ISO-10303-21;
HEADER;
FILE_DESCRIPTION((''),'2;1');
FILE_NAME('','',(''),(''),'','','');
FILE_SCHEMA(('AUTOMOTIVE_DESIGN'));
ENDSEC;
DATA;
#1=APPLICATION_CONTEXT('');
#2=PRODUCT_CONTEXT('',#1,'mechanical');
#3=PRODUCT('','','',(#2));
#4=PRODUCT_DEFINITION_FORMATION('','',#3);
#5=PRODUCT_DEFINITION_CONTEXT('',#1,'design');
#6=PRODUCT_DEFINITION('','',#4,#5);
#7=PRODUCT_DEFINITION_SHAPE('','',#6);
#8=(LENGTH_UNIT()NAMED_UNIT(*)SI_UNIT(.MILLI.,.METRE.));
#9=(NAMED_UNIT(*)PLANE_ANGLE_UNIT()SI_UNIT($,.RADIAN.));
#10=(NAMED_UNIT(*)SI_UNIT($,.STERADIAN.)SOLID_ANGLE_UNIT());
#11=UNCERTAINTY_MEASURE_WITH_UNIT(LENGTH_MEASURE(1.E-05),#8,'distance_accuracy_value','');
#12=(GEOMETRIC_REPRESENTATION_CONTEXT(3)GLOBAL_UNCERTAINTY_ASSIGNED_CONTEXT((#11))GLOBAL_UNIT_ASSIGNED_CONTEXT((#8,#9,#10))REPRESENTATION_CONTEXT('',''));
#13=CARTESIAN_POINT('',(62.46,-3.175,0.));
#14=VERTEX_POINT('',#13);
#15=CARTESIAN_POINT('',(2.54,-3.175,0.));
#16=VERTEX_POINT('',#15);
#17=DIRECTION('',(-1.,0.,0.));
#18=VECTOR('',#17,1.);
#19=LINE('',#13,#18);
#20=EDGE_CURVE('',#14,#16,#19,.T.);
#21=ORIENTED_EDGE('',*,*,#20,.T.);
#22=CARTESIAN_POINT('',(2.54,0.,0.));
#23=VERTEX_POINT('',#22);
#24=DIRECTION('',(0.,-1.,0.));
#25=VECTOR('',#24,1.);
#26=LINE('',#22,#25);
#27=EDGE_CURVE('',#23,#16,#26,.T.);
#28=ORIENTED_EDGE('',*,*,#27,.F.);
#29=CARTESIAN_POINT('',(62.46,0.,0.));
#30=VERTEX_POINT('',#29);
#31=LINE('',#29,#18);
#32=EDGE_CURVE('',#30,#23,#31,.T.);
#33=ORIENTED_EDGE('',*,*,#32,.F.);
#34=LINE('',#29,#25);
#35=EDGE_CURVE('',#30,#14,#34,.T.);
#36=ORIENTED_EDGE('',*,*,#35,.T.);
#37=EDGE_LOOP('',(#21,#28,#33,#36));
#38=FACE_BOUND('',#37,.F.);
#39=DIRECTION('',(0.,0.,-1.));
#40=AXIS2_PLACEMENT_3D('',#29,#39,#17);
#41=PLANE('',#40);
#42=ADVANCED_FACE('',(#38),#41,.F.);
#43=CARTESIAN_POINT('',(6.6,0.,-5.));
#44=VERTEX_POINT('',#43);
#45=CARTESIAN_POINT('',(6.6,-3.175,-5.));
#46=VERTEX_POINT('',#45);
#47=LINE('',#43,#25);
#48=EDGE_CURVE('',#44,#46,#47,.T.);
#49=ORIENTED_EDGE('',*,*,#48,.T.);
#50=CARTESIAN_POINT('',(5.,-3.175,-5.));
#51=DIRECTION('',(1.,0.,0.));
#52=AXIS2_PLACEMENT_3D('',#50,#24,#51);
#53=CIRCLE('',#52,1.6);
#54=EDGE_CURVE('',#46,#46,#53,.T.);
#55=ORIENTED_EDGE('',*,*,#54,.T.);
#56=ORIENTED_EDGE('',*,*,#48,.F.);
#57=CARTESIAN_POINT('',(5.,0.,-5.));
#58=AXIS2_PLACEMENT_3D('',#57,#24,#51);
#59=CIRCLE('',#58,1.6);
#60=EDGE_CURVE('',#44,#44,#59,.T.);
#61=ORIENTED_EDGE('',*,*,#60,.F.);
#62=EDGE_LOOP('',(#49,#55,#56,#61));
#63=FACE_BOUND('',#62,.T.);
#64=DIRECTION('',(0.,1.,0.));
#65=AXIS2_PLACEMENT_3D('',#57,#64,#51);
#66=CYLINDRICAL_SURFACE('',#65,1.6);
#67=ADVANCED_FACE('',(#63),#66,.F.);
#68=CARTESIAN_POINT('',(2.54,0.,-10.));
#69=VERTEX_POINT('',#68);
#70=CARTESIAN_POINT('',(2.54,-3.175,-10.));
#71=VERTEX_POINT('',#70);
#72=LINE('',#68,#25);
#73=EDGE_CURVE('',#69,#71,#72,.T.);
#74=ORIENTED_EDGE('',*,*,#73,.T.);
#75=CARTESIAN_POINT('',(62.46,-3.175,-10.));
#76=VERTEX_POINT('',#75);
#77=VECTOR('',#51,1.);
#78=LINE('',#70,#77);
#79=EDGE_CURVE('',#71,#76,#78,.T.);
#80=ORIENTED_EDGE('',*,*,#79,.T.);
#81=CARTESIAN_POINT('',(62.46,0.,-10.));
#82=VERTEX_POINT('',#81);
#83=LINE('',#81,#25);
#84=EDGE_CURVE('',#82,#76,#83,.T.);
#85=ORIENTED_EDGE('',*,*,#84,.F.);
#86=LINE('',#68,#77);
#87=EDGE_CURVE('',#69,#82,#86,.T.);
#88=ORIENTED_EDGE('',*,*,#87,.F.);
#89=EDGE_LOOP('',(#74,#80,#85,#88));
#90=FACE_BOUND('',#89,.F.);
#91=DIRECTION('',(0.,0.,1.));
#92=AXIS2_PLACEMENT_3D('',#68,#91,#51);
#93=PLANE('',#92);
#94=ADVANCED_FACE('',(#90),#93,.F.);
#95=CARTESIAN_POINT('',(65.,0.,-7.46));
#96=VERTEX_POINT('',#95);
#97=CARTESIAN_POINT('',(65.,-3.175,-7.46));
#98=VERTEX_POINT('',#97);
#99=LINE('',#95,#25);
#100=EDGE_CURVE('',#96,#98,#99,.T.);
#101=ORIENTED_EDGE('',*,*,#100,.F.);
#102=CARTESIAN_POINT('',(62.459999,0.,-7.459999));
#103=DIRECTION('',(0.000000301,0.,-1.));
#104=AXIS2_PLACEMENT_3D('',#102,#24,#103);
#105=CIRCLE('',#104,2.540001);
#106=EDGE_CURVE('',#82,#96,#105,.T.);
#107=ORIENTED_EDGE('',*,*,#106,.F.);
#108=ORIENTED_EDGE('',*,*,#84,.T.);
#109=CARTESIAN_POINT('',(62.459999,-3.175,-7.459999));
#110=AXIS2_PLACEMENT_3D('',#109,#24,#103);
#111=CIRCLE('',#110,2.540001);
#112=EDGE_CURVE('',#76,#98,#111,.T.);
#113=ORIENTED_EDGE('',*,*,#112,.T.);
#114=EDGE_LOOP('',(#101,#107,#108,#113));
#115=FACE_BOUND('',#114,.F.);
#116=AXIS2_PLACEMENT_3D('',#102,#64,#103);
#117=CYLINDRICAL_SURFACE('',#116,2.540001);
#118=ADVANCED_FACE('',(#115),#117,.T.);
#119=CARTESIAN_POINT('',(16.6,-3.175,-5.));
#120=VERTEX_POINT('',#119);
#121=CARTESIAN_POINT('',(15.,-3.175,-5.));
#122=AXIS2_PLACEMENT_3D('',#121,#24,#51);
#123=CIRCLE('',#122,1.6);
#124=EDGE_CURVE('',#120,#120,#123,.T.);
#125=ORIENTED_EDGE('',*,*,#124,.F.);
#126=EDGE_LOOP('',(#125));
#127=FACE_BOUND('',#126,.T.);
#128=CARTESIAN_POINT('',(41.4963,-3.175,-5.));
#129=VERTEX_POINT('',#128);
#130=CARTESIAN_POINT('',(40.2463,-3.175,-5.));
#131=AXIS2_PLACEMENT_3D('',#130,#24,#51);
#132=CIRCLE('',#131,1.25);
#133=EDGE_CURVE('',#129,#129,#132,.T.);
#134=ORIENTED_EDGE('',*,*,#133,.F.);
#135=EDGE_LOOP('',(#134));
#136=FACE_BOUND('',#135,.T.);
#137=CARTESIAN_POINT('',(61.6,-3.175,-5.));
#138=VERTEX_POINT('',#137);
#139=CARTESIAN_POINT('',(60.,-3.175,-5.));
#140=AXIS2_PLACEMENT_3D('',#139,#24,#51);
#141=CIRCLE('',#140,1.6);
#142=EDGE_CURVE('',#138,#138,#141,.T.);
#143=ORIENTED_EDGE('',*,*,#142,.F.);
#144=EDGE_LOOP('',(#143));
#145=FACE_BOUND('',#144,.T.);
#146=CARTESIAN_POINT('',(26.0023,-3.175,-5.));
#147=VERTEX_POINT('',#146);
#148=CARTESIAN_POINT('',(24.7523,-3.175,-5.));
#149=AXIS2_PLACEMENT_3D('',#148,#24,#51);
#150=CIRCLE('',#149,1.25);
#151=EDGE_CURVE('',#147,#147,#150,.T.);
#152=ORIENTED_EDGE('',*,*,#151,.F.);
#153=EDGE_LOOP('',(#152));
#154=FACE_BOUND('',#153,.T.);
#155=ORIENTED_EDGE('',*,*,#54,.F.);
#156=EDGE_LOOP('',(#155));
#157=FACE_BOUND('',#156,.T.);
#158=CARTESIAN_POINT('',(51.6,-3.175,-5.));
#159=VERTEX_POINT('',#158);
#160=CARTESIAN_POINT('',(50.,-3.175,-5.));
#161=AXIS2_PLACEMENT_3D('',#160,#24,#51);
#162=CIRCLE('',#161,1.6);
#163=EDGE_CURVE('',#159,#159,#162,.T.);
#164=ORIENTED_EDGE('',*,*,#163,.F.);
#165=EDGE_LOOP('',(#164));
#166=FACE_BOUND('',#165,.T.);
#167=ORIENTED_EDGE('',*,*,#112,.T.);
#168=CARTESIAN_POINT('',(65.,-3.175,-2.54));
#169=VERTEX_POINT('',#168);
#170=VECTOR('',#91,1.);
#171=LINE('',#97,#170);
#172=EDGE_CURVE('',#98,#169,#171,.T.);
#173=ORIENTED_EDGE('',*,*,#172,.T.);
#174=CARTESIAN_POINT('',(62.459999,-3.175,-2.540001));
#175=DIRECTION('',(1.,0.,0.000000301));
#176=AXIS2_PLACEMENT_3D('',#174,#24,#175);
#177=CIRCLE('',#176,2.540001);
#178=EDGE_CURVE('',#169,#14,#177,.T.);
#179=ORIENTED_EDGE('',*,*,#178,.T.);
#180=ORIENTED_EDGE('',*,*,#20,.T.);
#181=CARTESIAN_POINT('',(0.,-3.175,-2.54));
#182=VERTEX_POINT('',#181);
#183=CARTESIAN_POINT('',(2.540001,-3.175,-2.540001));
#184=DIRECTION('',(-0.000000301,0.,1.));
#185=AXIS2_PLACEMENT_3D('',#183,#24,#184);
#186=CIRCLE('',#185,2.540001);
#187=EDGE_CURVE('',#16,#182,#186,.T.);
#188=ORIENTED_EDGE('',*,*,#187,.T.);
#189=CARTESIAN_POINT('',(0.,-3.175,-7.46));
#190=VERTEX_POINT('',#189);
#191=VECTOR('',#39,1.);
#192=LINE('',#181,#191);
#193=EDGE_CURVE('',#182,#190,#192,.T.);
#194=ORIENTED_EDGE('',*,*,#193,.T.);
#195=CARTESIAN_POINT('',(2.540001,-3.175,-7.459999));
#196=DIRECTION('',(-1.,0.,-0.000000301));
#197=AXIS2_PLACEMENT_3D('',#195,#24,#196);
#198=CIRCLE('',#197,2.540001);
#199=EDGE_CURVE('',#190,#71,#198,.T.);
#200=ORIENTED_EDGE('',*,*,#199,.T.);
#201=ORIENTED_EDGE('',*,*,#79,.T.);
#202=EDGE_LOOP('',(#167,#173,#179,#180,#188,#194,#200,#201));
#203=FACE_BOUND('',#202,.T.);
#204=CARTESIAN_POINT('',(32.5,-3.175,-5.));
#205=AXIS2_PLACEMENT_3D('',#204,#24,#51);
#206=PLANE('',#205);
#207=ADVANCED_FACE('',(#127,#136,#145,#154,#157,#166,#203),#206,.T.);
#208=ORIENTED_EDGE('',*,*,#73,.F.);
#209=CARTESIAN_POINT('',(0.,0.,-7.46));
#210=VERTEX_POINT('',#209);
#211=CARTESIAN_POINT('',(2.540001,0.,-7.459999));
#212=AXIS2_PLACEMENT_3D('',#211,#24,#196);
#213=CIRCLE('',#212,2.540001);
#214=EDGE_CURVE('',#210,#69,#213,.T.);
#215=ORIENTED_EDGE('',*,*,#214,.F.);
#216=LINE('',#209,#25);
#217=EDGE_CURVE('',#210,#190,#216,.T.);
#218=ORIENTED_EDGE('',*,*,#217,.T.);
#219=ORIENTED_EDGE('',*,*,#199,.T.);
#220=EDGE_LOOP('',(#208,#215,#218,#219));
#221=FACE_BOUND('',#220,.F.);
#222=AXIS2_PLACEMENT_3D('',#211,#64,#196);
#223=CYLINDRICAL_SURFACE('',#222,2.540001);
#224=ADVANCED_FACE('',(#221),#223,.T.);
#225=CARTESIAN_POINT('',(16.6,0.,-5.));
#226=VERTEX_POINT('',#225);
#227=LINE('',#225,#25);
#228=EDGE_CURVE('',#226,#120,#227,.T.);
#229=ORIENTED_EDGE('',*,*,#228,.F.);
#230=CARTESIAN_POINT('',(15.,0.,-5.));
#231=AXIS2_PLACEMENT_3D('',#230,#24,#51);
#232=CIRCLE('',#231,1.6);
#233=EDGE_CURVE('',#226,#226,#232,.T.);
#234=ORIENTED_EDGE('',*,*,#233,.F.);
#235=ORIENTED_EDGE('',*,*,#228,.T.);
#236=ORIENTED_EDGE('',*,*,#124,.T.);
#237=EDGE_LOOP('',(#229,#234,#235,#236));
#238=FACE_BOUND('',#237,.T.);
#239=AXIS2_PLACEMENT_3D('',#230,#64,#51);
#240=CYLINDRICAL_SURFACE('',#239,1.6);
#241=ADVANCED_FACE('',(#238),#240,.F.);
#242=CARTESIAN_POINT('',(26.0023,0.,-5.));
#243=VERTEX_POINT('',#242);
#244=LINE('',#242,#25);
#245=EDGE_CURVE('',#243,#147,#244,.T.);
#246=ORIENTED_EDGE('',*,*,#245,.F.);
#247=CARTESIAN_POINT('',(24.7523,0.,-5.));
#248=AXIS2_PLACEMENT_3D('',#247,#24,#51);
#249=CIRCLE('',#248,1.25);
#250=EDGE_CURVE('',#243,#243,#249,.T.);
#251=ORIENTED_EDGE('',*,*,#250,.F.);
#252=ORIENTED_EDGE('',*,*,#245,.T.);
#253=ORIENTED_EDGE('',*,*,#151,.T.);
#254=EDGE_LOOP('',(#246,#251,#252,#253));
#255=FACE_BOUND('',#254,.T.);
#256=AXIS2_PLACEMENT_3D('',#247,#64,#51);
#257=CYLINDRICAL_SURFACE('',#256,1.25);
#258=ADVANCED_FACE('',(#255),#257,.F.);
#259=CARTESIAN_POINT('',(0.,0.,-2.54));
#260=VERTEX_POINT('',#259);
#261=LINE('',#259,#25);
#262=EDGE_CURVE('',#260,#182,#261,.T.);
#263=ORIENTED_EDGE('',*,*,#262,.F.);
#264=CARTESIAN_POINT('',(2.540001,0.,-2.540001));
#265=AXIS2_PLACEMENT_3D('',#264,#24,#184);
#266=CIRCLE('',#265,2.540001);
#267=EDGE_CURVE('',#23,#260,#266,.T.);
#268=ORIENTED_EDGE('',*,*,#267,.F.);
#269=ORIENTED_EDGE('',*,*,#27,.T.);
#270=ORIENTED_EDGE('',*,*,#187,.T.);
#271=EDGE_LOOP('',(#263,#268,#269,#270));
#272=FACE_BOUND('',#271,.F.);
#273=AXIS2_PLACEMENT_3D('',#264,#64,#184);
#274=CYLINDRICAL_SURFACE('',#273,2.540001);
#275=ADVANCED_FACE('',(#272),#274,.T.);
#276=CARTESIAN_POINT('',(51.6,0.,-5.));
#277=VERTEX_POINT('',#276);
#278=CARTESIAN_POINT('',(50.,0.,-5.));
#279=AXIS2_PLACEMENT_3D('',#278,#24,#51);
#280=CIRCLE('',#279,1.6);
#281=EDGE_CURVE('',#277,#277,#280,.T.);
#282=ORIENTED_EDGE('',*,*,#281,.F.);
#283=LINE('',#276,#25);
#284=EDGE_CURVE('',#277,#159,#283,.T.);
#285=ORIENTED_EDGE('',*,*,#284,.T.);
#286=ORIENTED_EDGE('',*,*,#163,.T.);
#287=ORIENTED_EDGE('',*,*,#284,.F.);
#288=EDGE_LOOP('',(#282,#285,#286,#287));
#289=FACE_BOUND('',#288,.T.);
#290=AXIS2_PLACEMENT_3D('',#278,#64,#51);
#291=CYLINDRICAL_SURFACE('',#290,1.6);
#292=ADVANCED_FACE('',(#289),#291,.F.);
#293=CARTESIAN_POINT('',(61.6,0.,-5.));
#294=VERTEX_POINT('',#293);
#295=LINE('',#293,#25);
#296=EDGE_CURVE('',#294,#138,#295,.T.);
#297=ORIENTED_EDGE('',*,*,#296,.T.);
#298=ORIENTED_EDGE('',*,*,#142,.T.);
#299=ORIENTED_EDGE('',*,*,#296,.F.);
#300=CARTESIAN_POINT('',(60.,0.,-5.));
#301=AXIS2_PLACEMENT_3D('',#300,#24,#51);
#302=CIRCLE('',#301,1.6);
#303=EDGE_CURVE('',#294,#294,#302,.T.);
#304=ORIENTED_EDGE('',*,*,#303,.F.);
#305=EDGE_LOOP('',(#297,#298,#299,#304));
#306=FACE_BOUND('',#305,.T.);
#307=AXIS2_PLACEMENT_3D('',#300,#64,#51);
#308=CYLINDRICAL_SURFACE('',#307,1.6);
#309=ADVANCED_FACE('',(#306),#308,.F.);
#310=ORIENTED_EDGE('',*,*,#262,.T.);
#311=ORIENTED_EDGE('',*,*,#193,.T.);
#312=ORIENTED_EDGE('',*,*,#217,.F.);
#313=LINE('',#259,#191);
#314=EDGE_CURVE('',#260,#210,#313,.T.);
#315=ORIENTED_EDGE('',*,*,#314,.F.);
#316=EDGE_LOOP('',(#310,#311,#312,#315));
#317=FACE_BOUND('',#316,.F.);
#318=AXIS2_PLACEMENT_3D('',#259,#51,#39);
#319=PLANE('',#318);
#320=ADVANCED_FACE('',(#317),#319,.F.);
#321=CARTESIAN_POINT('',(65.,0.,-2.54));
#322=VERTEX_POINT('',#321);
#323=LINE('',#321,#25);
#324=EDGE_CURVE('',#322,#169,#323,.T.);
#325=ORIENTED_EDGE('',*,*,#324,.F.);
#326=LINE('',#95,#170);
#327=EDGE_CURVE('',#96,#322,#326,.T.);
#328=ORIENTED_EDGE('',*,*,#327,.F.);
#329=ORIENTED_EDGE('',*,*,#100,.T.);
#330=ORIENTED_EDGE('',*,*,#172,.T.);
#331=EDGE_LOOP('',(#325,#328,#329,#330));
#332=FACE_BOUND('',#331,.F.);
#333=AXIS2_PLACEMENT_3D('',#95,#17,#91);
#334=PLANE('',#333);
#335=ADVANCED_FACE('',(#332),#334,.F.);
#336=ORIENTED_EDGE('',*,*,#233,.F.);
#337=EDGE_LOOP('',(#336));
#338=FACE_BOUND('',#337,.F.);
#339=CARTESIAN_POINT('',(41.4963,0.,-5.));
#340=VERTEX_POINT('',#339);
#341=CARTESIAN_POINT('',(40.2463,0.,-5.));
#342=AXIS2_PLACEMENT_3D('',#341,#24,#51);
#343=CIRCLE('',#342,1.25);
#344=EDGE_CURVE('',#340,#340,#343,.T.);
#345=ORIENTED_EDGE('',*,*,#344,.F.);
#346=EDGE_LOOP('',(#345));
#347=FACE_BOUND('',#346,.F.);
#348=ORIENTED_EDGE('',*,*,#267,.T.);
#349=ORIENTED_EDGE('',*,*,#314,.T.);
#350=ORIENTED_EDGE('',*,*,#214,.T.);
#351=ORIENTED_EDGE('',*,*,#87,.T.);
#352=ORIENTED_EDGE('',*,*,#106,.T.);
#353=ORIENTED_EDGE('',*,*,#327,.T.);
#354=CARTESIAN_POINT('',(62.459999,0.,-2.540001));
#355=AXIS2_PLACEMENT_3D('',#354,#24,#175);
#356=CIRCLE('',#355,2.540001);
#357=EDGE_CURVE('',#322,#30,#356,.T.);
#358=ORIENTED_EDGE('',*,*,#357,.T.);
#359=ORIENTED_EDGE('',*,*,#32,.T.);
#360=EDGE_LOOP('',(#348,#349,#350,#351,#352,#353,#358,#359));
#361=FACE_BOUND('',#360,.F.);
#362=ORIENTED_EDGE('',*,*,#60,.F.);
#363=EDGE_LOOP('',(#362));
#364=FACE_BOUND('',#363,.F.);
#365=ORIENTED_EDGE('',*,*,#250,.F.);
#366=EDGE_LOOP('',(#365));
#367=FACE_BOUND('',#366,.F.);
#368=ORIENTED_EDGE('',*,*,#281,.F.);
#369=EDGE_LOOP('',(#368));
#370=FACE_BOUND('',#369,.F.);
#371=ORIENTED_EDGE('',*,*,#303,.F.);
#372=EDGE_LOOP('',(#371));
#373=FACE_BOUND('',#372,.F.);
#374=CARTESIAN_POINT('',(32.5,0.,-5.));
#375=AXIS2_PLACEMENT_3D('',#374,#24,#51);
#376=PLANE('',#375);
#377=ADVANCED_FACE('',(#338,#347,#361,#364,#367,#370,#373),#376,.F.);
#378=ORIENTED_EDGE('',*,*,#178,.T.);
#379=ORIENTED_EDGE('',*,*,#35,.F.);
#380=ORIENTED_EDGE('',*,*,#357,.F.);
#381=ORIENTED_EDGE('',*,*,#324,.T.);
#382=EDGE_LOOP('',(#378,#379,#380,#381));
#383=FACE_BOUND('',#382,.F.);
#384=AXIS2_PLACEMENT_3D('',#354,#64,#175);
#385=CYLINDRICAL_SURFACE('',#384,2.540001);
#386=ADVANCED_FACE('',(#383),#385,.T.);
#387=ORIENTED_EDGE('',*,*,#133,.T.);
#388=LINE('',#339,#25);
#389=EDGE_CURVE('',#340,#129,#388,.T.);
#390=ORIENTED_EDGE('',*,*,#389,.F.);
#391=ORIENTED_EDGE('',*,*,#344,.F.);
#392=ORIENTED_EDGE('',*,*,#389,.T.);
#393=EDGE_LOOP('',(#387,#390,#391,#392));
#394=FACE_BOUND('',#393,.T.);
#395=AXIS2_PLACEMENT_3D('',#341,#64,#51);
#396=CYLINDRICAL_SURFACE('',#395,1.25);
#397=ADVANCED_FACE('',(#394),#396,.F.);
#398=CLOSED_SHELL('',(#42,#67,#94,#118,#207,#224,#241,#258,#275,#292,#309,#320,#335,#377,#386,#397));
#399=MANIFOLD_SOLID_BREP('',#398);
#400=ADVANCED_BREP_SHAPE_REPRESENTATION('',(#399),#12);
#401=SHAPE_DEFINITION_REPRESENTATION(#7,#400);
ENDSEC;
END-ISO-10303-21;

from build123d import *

# Parameters (mm, degrees)
F0_R     = 1.6
F0_R_2   = 1.25
F1_DEPTH = 3.175


with BuildPart() as f1:
    # F0 (on Front) → F1 (new body)
    with BuildSketch(Plane.XZ):
        with BuildLine():
            Line((62.46, 0), (2.54, 0))
            ThreePointArc((2.54, 0), (0.743949, -0.743949), (0, -2.54))
            Line((0, -2.54), (0, -7.46))
            ThreePointArc((0, -7.46), (0.743949, -9.256051), (2.54, -10))
            Line((2.54, -10), (62.46, -10))
            ThreePointArc((62.46, -10), (64.256051, -9.256051), (65, -7.46))
            Line((65, -7.46), (65, -2.54))
            ThreePointArc((65, -2.54), (64.256051, -0.743949), (62.46, 0))
        make_face()
        with Locations((5, -5)):
            Circle(F0_R, mode=Mode.SUBTRACT)
        with Locations((15, -5)):
            Circle(F0_R, mode=Mode.SUBTRACT)
        with Locations((24.7523, -5)):
            Circle(F0_R_2, mode=Mode.SUBTRACT)
        with Locations((40.2463, -5)):
            Circle(F0_R_2, mode=Mode.SUBTRACT)
        with Locations((50, -5)):
            Circle(F0_R, mode=Mode.SUBTRACT)
        with Locations((60, -5)):
            Circle(F0_R, mode=Mode.SUBTRACT)
    extrude(amount=F1_DEPTH)


solid = f1.part
